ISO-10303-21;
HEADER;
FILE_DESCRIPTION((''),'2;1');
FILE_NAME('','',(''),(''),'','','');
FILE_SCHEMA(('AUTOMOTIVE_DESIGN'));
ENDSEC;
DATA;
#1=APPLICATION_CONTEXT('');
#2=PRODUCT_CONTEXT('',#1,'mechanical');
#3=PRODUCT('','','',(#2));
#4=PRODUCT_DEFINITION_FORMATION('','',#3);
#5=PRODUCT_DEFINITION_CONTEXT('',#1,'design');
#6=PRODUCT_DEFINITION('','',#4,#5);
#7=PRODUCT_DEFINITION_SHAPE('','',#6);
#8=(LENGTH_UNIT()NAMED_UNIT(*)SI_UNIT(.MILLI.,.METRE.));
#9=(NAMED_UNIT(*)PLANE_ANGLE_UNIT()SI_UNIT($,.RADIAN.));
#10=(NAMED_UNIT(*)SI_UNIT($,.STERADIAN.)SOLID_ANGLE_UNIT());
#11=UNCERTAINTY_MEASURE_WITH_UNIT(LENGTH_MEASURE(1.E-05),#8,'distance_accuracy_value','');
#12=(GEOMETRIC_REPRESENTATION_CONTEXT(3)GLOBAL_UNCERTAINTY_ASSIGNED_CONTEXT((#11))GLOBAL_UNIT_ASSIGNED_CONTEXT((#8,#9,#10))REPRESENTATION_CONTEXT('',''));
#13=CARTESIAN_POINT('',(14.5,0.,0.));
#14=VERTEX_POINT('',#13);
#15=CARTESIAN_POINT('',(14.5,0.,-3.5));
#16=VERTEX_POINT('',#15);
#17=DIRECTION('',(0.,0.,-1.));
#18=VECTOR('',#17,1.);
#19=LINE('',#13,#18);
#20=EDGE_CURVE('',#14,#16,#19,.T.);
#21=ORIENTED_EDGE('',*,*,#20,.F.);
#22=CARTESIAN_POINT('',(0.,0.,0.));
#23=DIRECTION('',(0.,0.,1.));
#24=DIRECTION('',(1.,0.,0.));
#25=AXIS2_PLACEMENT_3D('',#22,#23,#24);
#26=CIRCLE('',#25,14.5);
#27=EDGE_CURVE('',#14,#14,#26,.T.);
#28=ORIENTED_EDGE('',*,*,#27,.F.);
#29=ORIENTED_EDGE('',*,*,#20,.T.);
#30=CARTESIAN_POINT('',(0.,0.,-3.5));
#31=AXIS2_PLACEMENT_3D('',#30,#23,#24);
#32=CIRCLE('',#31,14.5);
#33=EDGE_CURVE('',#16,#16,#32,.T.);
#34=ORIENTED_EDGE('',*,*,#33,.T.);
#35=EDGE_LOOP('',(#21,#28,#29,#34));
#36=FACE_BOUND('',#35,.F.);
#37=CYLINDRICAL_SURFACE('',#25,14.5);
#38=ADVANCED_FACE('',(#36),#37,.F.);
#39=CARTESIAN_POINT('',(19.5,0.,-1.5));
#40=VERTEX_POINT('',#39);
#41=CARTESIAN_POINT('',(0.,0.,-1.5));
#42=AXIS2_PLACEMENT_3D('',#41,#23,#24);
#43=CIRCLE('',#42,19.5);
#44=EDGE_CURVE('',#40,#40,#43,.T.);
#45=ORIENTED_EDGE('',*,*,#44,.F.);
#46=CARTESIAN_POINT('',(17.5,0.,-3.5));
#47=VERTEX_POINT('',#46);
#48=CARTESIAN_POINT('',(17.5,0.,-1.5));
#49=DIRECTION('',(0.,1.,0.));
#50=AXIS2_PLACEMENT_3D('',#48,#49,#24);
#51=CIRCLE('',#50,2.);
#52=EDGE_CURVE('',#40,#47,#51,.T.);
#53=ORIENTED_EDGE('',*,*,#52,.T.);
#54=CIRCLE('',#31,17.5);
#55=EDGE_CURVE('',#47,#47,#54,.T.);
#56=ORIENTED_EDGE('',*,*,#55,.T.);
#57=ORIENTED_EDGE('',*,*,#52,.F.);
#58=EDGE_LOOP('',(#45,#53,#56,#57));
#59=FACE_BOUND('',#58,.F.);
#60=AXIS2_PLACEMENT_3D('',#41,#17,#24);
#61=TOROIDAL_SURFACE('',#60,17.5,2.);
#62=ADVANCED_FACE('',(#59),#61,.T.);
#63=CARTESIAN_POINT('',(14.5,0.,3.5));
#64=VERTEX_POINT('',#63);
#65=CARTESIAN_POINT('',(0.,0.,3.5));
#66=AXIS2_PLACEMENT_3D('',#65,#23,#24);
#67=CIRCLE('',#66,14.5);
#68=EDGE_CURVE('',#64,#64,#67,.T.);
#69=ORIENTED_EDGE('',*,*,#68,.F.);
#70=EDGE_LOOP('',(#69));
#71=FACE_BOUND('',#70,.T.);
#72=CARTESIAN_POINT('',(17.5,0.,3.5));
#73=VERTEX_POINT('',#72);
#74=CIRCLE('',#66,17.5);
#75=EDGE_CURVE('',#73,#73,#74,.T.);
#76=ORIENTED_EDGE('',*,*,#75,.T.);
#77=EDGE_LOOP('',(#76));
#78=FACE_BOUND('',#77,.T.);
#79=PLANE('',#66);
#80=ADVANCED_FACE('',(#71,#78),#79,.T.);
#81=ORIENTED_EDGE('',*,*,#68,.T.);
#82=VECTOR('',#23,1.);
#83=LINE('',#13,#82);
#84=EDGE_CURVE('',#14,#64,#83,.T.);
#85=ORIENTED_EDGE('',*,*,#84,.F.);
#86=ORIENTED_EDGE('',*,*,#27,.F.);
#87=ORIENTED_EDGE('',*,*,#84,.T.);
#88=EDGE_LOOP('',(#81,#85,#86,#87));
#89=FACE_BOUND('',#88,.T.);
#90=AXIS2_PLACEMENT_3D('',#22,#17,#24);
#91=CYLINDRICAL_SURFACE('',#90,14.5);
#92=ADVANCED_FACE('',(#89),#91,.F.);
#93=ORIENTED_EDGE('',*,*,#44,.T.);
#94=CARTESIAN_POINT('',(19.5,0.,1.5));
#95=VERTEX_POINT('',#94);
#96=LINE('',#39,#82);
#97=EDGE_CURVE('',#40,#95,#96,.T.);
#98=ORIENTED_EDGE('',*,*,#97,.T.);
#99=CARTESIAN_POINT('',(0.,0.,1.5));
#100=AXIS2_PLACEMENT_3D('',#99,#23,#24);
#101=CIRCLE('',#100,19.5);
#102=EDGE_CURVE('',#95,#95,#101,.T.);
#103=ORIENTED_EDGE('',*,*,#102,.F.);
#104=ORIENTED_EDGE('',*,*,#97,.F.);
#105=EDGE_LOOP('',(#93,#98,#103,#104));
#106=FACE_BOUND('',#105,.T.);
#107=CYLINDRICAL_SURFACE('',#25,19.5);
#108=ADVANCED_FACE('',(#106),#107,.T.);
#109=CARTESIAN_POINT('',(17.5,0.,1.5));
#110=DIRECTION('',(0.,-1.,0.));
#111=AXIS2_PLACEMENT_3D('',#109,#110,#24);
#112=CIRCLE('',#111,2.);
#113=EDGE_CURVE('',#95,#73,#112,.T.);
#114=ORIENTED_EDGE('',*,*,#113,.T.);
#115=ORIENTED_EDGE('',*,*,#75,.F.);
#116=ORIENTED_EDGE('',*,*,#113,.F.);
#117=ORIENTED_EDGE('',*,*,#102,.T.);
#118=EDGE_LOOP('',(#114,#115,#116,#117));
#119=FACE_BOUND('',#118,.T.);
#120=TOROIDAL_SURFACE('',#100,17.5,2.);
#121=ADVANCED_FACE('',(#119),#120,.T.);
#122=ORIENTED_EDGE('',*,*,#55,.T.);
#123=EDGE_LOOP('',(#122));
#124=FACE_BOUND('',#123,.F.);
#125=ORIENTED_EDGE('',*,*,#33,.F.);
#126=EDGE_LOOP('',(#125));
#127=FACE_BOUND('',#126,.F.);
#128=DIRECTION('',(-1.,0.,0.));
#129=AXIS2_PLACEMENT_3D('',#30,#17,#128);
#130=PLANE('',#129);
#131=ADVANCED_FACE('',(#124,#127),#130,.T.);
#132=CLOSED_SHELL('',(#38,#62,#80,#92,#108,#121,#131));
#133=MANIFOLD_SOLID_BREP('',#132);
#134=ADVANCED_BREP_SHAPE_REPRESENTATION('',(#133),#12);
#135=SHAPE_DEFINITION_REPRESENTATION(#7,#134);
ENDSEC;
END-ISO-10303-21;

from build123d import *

# Parameters (mm, degrees)
F0_R     = 19.5
F0_R_2   = 14.5
F1_DEPTH = 3.5
F2_R     = 2


with BuildPart() as f1:
    # F0 (on Top) → F1 (new body)
    with BuildSketch(Plane.XY):
        Circle(F0_R)
        Circle(F0_R_2, mode=Mode.SUBTRACT)
    extrude(amount=F1_DEPTH)

    # F2
    f2_edges = [f1.edges().sort_by_distance(p)[0] for p in [
        (-19.5, 0, 3.5),
    ]]
    fillet(f2_edges, radius=F2_R)

    # F3: F1 across plane


with BuildPart() as f1_1:
    add(f1.part)
    add(f1.part.mirror(Plane.XY))


solid = f1_1.part
